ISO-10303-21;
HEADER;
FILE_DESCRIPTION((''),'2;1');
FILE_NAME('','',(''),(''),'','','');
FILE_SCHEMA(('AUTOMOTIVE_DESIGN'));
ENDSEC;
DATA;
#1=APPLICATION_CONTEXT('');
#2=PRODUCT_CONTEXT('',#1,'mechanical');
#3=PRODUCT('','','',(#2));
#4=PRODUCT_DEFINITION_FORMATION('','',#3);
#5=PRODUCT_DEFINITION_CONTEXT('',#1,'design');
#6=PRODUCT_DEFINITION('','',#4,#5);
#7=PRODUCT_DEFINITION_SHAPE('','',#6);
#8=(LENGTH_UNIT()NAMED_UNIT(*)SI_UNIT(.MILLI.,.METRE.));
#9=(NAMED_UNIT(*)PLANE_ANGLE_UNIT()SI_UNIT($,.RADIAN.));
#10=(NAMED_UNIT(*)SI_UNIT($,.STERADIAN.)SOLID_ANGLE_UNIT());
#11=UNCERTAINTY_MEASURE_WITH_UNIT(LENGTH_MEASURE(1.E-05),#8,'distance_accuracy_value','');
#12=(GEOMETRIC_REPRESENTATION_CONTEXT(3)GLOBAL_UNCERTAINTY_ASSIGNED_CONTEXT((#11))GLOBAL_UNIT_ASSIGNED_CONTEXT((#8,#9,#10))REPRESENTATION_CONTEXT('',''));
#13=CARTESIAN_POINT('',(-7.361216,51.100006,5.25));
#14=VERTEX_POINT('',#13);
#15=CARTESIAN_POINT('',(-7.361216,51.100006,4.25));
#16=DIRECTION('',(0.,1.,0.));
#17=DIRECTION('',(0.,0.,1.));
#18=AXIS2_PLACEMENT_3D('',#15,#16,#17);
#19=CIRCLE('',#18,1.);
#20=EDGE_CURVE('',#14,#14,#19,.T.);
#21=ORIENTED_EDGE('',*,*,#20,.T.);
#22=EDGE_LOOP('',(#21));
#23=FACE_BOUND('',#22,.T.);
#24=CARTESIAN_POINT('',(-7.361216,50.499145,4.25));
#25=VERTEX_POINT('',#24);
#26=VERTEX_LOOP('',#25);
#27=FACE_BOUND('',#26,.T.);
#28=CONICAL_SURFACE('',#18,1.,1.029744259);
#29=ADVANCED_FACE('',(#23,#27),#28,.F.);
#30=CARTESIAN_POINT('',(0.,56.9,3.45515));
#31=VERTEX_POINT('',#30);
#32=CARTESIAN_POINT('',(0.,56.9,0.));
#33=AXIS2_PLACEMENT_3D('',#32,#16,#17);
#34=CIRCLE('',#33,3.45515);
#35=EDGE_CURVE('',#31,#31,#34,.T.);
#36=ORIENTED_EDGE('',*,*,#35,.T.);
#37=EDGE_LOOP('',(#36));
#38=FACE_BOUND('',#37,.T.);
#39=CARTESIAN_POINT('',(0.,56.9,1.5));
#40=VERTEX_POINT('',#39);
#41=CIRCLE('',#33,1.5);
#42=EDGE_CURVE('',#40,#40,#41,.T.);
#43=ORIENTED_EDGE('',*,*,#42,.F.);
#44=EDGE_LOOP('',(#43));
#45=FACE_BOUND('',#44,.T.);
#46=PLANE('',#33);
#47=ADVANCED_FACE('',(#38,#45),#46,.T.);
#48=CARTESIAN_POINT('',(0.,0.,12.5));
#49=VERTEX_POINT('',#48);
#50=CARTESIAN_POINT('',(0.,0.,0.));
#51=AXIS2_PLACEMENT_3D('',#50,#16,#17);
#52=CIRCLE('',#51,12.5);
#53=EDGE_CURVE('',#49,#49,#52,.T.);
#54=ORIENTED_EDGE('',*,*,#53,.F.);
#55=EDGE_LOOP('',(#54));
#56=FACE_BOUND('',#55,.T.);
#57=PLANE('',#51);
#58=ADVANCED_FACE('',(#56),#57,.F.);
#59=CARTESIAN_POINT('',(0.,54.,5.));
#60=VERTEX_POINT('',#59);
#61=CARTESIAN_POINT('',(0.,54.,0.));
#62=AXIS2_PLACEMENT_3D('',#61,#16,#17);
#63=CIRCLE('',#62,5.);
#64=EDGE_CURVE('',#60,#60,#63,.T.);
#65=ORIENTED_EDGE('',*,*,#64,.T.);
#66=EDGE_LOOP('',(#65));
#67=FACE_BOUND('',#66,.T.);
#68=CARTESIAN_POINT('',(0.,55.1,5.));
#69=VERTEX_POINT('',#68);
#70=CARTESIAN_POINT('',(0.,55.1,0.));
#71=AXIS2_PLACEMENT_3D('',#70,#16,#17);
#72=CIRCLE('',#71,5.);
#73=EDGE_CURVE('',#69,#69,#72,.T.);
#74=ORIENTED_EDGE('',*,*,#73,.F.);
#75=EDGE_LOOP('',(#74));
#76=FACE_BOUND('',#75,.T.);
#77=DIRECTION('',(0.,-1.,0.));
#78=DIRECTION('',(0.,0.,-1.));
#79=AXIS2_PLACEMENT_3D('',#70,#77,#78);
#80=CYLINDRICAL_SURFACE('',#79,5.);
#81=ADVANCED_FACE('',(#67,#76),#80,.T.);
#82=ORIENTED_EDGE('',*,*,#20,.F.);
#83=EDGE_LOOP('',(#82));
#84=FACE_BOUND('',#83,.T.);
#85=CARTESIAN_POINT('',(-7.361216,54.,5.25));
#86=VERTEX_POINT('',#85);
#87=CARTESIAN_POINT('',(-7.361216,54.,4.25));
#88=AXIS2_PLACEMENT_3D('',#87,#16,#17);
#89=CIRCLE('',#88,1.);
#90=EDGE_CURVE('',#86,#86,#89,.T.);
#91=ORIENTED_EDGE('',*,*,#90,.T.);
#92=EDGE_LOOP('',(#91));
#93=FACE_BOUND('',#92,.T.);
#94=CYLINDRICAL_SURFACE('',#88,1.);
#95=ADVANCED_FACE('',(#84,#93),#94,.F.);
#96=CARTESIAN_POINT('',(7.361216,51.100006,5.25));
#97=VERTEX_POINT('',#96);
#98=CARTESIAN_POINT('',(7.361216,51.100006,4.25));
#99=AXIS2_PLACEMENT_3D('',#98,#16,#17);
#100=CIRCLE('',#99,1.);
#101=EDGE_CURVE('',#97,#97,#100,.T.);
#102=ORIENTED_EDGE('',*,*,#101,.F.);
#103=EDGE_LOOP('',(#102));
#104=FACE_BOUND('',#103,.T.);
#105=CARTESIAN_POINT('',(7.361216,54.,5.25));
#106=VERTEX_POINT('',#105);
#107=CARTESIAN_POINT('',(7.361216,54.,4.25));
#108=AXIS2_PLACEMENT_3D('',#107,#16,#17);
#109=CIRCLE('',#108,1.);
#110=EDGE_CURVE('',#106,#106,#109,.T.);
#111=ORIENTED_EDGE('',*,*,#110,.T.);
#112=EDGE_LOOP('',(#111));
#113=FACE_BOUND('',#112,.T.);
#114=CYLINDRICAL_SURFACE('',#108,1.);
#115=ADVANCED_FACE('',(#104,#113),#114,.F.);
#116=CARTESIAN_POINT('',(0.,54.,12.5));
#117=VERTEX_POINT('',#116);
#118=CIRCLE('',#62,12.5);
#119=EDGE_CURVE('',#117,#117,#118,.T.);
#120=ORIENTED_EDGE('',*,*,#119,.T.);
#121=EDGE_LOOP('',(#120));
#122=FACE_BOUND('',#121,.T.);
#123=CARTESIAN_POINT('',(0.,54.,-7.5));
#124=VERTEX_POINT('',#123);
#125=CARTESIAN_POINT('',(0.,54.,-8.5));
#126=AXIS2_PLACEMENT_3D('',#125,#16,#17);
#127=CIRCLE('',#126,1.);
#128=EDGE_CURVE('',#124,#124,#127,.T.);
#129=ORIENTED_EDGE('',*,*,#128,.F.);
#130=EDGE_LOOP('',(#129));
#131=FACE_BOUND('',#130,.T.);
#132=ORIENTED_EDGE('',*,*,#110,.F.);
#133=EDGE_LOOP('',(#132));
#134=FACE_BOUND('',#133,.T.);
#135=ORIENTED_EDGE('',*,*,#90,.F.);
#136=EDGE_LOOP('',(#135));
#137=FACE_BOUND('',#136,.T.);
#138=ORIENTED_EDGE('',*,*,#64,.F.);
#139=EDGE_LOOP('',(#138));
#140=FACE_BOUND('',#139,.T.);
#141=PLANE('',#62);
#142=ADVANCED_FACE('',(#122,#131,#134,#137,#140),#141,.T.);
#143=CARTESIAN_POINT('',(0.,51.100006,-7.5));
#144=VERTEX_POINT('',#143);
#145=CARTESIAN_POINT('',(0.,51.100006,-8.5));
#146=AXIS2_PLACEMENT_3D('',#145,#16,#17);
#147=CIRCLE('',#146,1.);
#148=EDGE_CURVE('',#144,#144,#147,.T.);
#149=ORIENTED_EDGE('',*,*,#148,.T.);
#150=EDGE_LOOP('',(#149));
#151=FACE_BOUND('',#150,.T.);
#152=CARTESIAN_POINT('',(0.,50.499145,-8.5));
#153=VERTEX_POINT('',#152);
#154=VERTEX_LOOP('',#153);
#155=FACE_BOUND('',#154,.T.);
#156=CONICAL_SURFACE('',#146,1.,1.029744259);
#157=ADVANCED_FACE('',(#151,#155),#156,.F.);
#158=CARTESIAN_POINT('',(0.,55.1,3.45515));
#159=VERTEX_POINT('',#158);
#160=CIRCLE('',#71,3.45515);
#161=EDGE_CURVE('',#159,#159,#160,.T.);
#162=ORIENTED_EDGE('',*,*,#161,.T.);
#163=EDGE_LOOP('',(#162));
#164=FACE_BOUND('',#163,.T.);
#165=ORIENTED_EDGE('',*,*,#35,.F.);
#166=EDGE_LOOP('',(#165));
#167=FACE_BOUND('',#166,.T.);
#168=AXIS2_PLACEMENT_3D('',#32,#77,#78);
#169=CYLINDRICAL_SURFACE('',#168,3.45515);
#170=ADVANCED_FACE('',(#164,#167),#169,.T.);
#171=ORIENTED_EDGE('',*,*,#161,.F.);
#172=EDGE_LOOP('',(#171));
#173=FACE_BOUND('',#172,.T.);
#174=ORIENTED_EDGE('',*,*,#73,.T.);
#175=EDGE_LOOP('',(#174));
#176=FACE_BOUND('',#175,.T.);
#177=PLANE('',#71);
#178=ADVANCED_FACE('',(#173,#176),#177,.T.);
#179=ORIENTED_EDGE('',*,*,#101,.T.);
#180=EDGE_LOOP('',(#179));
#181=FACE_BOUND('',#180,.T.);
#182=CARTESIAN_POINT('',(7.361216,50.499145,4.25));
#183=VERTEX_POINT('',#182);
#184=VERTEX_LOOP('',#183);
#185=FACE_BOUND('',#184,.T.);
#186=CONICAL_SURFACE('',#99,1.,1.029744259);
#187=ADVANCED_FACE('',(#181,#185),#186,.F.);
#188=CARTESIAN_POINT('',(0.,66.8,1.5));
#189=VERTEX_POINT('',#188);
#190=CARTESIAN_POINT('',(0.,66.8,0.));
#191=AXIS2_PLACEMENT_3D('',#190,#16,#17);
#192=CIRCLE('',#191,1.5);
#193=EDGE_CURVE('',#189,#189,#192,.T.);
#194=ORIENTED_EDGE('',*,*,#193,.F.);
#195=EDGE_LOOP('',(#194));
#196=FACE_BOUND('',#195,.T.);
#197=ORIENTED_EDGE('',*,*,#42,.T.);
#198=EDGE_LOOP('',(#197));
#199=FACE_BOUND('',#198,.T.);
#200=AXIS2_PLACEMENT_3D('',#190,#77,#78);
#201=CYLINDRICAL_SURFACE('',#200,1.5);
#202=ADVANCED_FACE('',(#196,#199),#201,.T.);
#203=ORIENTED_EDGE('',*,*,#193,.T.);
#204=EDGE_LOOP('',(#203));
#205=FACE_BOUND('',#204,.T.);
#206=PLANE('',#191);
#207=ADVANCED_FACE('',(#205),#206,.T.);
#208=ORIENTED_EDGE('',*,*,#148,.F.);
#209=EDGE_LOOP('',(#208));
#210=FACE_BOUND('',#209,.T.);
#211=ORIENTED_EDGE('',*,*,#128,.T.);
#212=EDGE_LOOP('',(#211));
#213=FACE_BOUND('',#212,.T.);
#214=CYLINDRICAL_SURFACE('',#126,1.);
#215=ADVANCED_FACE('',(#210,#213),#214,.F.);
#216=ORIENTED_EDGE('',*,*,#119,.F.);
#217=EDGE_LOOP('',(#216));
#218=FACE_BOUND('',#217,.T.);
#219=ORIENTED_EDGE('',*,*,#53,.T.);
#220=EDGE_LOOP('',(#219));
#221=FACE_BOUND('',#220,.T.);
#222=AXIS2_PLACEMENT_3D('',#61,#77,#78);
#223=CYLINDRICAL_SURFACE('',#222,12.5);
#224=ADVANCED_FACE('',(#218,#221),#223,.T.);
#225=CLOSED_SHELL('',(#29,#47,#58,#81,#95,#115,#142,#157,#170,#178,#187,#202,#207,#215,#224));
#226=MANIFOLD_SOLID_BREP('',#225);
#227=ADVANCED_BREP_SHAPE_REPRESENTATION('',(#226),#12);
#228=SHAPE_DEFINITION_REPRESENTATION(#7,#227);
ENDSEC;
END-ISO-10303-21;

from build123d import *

# Parameters (mm, degrees)
SKETCH1_R                 = 12.5
BOSS_EXTRUDE1_DEPTH       = 54
SKETCH2_R                 = 5
BOSS_EXTRUDE2_DEPTH       = 1.1
SKETCH3_R                 = 3.455150035
BOSS_EXTRUDE3_DEPTH       = 1.8
SKETCH4_R                 = 1.5
BOSS_EXTRUDE4_DEPTH       = 9.9
F_2_0MM_DOWEL_HOLE1_D     = 2
F_2_0MM_DOWEL_HOLE1_DEPTH = 2.8999942
F_2_0MM_DOWEL_HOLE1_TIP   = 0.600860619


with BuildPart() as part:
    # Sketch1 → Boss-Extrude1 (new body)
    with BuildSketch(Plane(origin=(0, 0, 0), x_dir=(1, 0, 0), z_dir=(0, 1, 0))):
        Circle(SKETCH1_R)
    extrude(amount=BOSS_EXTRUDE1_DEPTH)

    # Sketch2 → Boss-Extrude2 (add)
    with BuildSketch(Plane(origin=(0, 54, 0), x_dir=(1, 0, 0), z_dir=(0, 1, 0))):
        Circle(SKETCH2_R)
    extrude(amount=BOSS_EXTRUDE2_DEPTH)

    # Sketch3 → Boss-Extrude3 (add)
    with BuildSketch(Plane(origin=(0, 55.1, 0), x_dir=(1, 0, 0), z_dir=(0, 1, 0))):
        Circle(SKETCH3_R)
    extrude(amount=BOSS_EXTRUDE3_DEPTH)

    # Sketch4 → Boss-Extrude4 (add)
    with BuildSketch(Plane(origin=(0, 56.9, 0), x_dir=(1, 0, 0), z_dir=(0, 1, 0))):
        Circle(SKETCH4_R)
    extrude(amount=BOSS_EXTRUDE4_DEPTH)

    # Ø2.0mm Dowel Hole1
    with Locations(Plane(origin=(0, 54, 0), x_dir=(1, 0, 0), z_dir=(0, 1, 0))):
        with Locations((-7.361215932, -4.25), (0, 8.5), (7.361215932, -4.25)):
            Hole(F_2_0MM_DOWEL_HOLE1_D / 2, depth=F_2_0MM_DOWEL_HOLE1_DEPTH)
            with Locations((0, 0, -(F_2_0MM_DOWEL_HOLE1_DEPTH + F_2_0MM_DOWEL_HOLE1_TIP / 2))):  # 118° drill point
                Cone(0, F_2_0MM_DOWEL_HOLE1_D / 2, F_2_0MM_DOWEL_HOLE1_TIP, mode=Mode.SUBTRACT)


solid = part.part
